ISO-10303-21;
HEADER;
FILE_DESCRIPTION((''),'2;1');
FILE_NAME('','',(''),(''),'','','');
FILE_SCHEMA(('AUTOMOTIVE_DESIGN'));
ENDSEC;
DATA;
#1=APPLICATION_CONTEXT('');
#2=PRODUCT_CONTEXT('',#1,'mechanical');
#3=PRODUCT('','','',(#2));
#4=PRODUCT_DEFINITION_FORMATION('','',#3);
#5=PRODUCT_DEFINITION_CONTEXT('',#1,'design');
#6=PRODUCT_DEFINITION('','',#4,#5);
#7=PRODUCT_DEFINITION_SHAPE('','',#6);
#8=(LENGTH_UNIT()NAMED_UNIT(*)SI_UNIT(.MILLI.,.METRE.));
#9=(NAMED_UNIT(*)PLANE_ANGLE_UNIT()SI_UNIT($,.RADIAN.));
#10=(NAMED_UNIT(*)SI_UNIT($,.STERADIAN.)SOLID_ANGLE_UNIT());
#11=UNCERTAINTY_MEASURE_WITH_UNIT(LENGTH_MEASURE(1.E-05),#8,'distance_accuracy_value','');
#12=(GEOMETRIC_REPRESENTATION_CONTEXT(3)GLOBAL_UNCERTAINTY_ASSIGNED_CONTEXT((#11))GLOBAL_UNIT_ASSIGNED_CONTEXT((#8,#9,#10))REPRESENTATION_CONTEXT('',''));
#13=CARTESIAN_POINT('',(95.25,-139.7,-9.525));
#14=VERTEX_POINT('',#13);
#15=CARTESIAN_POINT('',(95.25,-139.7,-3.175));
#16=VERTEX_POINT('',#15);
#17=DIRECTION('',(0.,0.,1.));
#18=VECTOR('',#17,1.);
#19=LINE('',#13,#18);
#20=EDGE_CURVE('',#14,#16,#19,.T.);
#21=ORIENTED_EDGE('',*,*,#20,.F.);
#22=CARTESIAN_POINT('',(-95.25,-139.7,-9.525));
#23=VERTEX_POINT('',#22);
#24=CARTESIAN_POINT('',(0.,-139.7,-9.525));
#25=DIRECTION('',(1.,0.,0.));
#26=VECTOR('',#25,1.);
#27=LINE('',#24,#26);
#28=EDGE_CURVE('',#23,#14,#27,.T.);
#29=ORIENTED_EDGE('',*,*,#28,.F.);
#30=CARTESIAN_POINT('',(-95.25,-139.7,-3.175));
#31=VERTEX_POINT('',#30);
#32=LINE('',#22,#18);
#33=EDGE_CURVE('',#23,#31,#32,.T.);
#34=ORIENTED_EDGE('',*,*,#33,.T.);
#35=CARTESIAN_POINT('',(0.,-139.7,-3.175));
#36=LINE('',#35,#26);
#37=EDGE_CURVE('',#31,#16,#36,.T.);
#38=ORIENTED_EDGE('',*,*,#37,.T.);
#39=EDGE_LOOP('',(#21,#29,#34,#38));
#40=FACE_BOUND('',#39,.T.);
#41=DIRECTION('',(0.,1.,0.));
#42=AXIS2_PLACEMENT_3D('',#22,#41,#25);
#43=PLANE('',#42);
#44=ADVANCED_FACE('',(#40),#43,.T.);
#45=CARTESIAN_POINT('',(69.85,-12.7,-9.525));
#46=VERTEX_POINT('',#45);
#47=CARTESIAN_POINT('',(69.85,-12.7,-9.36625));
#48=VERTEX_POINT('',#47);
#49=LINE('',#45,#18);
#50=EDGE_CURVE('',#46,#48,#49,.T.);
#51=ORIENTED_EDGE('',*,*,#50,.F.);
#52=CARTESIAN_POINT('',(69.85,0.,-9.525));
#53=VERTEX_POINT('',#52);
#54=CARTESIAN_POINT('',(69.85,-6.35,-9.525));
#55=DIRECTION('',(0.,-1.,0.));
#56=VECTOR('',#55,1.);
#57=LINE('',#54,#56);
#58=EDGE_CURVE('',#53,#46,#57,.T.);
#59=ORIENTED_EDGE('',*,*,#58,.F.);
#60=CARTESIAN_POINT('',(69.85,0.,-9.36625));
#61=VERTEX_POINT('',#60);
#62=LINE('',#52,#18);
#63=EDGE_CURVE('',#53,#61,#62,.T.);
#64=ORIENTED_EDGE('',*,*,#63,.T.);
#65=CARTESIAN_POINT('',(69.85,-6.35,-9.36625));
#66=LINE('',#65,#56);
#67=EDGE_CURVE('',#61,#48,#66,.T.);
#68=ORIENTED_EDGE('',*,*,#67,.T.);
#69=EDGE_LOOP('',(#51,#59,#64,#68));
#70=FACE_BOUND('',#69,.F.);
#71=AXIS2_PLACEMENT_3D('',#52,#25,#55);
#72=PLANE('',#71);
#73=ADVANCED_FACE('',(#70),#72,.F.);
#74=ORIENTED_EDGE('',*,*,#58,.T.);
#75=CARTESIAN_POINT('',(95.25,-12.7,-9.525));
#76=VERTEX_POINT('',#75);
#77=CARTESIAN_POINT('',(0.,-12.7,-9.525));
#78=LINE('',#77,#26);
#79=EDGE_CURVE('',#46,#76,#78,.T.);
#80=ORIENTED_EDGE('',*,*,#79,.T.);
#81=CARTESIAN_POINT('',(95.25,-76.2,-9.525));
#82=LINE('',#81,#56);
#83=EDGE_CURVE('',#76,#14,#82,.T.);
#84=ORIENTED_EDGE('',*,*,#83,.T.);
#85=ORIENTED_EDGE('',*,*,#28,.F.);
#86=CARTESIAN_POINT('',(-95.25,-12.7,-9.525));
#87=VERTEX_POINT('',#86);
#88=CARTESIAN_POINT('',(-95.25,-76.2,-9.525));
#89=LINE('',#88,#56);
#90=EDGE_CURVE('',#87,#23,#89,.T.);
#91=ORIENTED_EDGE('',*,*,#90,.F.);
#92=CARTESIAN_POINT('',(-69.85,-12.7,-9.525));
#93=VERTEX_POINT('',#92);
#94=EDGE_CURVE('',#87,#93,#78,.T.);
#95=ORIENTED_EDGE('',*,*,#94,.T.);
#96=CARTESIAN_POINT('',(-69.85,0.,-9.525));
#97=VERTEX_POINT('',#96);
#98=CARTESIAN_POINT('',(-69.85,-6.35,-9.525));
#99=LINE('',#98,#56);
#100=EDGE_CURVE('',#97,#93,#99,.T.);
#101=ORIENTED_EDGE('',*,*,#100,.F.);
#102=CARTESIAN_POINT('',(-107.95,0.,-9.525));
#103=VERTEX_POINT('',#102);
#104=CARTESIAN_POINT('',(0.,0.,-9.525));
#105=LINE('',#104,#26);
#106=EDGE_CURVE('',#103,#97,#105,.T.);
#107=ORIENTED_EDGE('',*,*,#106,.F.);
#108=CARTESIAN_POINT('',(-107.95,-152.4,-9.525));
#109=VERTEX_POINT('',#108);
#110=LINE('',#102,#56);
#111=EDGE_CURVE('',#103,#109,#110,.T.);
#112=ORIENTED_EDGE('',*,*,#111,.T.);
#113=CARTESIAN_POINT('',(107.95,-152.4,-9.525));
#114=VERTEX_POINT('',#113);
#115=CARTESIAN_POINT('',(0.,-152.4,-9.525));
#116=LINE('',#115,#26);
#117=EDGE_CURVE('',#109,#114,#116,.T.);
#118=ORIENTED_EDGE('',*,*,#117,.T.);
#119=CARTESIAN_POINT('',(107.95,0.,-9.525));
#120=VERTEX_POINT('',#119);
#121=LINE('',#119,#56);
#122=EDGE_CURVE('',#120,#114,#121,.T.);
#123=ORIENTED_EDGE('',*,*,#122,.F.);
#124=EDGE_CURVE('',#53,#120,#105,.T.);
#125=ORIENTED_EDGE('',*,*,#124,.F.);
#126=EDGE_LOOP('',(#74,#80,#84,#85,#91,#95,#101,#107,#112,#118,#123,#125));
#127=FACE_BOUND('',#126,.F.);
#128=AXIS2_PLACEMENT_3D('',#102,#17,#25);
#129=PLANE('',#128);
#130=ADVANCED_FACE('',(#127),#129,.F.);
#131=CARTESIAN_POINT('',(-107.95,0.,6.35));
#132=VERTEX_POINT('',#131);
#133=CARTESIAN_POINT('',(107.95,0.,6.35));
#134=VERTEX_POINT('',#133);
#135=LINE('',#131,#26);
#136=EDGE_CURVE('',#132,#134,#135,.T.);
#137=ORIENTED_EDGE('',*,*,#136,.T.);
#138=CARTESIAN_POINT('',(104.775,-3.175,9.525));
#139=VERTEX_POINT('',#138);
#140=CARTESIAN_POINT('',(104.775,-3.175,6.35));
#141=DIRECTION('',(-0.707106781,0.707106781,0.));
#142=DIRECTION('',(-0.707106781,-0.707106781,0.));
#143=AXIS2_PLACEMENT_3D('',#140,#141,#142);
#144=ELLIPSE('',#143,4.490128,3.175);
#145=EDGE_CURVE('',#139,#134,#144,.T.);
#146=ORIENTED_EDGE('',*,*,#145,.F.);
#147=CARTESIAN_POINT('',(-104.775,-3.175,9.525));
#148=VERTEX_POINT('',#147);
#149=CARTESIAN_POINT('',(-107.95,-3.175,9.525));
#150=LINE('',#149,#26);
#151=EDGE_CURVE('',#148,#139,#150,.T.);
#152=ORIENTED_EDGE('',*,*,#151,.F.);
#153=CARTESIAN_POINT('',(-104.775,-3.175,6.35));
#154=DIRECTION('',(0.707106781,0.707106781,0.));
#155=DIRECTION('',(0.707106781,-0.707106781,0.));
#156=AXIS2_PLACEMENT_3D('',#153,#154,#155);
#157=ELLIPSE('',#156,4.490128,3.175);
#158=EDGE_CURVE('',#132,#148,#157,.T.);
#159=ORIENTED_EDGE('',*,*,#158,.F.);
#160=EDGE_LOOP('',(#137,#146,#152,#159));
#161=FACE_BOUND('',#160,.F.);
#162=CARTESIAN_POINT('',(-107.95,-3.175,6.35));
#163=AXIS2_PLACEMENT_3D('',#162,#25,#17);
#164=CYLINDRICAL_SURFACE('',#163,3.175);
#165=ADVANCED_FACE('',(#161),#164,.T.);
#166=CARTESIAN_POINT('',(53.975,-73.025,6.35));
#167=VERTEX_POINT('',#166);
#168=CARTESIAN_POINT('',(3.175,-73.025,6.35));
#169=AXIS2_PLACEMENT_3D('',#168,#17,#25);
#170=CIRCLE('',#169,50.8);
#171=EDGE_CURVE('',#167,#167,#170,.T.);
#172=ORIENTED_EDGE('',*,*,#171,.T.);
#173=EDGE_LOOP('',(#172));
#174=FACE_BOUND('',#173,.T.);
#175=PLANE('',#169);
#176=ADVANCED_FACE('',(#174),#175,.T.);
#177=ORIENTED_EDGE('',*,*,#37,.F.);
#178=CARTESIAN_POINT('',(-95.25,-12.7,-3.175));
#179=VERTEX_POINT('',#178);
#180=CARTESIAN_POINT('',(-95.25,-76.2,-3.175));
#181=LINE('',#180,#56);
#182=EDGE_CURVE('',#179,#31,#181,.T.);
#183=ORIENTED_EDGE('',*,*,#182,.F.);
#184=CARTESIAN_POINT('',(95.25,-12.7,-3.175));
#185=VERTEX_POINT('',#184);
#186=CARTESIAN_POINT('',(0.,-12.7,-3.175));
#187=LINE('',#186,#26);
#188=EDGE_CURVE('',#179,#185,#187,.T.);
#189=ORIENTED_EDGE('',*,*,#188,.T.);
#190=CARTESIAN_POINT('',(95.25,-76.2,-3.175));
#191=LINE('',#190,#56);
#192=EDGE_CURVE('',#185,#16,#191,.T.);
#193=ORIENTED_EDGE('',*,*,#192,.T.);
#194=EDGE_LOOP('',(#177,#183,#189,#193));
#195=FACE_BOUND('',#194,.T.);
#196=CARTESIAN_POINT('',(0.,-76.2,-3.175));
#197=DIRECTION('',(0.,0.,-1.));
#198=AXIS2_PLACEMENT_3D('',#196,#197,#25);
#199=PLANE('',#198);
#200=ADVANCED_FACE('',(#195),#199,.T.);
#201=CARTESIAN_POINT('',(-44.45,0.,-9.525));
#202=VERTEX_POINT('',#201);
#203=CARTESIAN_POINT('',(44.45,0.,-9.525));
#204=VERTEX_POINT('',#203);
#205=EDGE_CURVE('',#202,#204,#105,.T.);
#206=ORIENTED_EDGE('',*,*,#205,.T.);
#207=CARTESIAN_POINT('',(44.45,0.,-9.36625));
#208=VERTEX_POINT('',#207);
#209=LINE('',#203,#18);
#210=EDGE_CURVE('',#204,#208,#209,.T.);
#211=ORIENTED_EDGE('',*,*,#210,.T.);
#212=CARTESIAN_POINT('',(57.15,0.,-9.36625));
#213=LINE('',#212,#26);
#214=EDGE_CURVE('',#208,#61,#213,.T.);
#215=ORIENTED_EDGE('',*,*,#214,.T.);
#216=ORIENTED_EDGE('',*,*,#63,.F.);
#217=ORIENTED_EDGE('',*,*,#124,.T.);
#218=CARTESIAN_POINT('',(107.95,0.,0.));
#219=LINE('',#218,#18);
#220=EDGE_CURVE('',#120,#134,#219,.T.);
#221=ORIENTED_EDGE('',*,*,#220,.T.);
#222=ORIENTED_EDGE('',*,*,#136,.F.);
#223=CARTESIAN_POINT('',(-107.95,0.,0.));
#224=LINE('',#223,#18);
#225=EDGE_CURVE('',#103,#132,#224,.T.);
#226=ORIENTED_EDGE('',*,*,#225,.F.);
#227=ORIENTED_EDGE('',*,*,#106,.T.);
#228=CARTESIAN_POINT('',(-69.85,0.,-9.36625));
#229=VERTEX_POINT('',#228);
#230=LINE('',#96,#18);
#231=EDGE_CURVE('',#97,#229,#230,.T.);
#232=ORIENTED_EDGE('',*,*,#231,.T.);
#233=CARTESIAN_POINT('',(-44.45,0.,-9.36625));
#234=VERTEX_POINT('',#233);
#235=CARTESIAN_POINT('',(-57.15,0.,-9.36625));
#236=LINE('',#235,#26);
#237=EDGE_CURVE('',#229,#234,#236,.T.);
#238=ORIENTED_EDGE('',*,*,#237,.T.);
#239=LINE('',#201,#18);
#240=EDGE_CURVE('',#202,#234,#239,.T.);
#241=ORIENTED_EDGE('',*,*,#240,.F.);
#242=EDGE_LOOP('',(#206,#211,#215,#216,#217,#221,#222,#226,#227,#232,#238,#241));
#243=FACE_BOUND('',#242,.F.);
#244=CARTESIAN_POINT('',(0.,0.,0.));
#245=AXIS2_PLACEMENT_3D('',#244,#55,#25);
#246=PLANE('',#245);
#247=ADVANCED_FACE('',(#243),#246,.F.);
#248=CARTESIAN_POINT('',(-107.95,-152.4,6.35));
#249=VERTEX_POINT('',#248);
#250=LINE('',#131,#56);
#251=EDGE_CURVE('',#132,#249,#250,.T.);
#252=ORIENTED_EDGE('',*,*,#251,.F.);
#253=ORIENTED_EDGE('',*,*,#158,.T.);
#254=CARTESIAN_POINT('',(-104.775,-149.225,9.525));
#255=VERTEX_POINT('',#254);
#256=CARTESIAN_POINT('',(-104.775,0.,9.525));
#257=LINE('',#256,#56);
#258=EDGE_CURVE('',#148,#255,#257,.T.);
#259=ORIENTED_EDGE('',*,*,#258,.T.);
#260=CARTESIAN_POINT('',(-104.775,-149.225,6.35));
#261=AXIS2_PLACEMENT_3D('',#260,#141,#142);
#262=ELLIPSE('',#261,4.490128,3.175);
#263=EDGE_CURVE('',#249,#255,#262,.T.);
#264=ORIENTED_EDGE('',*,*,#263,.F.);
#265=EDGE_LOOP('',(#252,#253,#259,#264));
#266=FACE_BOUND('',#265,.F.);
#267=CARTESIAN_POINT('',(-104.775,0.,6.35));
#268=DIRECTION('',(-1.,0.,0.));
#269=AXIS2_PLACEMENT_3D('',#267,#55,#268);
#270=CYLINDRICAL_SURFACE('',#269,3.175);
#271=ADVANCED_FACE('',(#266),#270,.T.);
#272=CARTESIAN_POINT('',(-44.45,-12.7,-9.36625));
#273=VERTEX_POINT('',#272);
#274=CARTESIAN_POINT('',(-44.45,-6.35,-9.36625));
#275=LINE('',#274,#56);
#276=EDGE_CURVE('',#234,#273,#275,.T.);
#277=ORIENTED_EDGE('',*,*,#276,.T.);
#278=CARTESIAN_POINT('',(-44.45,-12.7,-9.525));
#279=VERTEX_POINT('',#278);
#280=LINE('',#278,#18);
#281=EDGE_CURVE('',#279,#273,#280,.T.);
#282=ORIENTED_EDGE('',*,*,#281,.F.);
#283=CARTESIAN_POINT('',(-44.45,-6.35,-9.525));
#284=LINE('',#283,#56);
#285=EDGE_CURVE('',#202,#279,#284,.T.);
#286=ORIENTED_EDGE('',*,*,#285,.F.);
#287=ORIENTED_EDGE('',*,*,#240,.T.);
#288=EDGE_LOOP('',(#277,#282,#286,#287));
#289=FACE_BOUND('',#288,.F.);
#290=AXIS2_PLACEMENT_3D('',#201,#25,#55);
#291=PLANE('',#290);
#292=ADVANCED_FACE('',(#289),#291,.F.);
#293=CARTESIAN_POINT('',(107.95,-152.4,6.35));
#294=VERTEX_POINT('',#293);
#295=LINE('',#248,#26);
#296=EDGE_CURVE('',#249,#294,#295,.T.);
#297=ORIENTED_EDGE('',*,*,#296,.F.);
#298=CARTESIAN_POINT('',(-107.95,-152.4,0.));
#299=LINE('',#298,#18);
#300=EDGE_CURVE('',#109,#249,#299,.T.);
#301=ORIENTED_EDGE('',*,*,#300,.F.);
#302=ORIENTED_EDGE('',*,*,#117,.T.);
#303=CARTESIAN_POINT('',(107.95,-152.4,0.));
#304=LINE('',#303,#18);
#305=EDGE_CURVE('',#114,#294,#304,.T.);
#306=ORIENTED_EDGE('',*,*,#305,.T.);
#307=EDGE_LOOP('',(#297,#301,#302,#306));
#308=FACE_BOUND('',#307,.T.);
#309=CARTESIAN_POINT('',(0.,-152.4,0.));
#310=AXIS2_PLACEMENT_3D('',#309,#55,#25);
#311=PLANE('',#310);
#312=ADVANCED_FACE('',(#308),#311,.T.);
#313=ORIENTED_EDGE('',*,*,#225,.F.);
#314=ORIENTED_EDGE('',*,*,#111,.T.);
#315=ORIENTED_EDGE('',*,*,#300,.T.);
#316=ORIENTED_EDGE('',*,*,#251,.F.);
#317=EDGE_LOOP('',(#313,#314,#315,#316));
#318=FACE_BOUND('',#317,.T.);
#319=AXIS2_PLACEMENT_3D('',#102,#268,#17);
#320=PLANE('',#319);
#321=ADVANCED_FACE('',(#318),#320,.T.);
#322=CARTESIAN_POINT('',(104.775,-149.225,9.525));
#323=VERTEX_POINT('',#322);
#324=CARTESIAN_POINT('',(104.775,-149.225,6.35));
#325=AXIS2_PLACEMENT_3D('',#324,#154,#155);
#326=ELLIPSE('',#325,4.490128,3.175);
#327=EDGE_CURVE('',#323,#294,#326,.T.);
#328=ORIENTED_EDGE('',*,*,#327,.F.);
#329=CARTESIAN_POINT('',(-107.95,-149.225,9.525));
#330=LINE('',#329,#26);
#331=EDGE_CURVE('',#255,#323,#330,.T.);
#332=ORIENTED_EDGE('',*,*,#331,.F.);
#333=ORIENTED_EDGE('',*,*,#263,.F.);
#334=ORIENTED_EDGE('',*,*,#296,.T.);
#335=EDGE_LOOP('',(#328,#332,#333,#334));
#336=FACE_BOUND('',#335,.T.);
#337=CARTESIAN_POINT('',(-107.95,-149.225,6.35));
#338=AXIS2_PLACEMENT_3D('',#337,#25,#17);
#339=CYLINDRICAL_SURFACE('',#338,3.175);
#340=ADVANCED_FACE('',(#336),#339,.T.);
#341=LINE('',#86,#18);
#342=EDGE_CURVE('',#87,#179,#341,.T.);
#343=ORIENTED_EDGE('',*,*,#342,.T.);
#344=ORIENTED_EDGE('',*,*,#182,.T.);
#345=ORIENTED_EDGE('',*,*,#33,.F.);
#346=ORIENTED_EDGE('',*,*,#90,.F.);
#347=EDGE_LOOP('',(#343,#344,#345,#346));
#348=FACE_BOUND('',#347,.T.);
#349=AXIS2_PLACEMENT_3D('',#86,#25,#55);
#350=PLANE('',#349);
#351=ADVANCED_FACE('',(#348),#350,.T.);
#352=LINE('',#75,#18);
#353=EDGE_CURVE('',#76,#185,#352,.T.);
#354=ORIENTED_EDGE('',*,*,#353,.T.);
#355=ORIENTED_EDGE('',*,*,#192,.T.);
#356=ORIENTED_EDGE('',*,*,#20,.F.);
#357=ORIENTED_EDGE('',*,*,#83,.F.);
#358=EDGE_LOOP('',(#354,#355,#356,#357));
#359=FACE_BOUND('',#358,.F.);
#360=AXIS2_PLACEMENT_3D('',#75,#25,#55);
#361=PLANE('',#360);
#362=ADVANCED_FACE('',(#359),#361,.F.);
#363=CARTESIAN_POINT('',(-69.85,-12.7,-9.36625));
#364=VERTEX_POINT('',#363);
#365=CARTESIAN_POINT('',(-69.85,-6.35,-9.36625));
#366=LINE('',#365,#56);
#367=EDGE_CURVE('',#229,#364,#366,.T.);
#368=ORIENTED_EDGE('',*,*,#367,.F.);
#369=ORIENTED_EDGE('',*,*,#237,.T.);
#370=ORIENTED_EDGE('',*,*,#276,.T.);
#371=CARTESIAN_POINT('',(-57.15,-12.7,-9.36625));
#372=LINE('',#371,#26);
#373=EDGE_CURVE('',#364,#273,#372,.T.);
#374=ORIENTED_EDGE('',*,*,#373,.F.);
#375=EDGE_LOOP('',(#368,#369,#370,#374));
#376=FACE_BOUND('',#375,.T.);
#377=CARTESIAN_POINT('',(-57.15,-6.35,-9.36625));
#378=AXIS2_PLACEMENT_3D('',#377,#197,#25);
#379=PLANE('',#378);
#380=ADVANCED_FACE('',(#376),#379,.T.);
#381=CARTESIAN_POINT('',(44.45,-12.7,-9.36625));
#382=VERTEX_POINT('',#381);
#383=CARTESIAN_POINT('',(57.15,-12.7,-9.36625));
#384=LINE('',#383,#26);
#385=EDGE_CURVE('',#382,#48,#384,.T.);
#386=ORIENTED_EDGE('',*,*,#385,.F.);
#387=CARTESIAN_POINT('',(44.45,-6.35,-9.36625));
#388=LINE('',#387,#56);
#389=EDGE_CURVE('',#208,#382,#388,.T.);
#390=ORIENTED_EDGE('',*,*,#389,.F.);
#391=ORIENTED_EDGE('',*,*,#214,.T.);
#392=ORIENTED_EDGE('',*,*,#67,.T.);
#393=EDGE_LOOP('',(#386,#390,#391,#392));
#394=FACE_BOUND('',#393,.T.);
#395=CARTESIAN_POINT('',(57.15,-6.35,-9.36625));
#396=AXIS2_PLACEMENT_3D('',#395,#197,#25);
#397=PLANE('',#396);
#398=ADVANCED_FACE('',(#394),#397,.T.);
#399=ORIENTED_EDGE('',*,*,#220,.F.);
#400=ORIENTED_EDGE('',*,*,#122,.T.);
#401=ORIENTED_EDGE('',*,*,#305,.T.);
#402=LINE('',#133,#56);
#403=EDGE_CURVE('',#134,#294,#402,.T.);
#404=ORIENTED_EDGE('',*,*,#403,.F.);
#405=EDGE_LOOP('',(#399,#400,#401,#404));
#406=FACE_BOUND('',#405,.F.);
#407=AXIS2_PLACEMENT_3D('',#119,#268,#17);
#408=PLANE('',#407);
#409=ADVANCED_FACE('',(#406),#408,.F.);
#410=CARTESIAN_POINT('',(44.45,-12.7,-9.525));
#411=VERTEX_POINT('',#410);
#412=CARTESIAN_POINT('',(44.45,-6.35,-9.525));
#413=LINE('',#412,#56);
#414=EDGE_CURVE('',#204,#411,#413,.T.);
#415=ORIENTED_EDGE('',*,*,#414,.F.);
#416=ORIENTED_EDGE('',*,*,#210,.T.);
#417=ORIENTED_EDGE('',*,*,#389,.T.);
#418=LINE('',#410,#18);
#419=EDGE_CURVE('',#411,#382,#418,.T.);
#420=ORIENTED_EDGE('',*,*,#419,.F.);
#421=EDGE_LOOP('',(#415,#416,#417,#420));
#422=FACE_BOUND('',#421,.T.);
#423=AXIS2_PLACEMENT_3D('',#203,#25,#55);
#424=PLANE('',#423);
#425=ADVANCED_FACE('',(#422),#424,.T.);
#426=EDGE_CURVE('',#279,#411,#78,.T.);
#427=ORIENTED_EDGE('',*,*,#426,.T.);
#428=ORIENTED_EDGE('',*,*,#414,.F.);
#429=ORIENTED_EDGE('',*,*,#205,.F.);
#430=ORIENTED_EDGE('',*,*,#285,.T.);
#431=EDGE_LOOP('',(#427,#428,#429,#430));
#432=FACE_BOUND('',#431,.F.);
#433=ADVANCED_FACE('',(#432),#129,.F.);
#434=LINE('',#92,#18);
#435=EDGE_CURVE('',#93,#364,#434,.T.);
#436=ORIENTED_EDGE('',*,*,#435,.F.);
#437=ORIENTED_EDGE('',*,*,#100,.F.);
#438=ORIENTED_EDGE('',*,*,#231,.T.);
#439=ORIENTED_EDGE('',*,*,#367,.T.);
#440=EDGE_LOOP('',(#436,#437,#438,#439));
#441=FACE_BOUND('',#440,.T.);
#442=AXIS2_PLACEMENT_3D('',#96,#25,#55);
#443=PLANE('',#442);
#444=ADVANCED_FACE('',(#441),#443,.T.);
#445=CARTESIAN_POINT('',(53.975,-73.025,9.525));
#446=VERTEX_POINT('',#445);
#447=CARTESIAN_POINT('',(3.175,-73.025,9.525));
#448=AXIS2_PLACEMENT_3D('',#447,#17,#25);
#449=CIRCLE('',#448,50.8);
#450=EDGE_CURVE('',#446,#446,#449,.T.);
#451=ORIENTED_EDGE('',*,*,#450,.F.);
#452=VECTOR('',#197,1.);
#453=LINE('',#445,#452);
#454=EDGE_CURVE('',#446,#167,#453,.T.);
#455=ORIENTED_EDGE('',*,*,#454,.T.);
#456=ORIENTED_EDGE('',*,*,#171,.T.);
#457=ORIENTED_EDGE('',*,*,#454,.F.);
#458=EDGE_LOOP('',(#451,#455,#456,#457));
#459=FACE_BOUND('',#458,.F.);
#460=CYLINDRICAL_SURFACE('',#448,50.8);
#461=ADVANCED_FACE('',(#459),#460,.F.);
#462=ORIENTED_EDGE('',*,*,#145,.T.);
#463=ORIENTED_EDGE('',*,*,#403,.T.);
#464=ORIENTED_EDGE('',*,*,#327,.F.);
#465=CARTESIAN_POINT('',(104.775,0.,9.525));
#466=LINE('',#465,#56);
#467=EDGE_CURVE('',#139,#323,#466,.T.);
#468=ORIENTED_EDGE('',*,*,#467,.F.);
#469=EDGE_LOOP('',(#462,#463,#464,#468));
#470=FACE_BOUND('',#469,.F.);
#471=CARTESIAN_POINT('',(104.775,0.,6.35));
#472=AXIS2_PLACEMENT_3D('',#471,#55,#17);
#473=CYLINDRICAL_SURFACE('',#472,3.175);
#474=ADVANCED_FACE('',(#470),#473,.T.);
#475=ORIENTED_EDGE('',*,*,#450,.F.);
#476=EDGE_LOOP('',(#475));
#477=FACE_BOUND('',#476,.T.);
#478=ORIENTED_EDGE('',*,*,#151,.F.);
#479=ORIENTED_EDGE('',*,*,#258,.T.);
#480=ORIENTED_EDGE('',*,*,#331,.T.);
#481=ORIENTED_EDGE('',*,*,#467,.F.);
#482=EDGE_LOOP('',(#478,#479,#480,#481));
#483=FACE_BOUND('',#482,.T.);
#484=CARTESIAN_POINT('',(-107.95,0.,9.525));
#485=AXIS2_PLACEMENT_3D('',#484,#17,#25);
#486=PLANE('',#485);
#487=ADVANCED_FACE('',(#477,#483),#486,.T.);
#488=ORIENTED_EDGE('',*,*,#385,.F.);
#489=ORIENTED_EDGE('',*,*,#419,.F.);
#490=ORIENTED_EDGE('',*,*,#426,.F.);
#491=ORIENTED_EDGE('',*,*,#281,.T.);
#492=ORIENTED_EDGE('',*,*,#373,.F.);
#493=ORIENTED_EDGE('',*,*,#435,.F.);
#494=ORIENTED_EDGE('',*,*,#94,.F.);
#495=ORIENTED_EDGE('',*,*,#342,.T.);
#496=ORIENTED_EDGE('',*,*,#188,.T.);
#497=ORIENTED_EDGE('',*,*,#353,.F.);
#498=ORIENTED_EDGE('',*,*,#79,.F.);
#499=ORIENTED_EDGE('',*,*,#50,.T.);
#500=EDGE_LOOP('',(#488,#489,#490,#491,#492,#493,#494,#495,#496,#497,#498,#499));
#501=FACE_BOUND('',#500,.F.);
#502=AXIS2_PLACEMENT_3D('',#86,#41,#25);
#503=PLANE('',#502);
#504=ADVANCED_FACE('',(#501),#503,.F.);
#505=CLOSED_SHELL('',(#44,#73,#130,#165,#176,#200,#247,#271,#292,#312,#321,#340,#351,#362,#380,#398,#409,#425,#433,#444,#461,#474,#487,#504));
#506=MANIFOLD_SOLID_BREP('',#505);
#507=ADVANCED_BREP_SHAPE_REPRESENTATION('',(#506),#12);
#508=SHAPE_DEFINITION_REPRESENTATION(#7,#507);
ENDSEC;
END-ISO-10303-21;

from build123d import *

# Parameters (mm, degrees)
F0_W     = 215.9
F0_H     = 19.05
F1_DEPTH = 152.4
F2_W     = 190.5
F2_H     = 127
F3_DEPTH = 6.35
F4_W     = 25.4
F4_H     = 12.7
F5_DEPTH = 0.15875
F6_R     = 3.175
F7_R     = 50.8
F8_DEPTH = 3.175


with BuildPart() as f1:
    # F0 (on Front) → F1 (new body)
    with BuildSketch(Plane.XZ):
        Rectangle(F0_W, F0_H)
    extrude(amount=F1_DEPTH)

    # F2 (on face) → F3 (cut)
    with BuildSketch(Plane(origin=(0, 0, -9.525), x_dir=(1, 0, 0), z_dir=(0, 0, -1))):
        with Locations((0, 76.2)):
            Rectangle(F2_W, F2_H)
    extrude(amount=-F3_DEPTH, mode=Mode.SUBTRACT)

    # F4 (on face) → F5 (cut)
    with BuildSketch(Plane(origin=(0, 0, -9.525), x_dir=(1, 0, 0), z_dir=(0, 0, -1))):
        with Locations((-57.15, 6.35)):
            Rectangle(F4_W, F4_H)
        with Locations((57.15, 6.35)):
            Rectangle(F4_W, F4_H)
    extrude(amount=-F5_DEPTH, mode=Mode.SUBTRACT)

    # F6
    f6_edges = [f1.edges().sort_by_distance(p)[0] for p in [
        (107.95, -76.2, 9.525),
        (-107.95, -76.2, 9.525),
        (0, 0, 9.525),
        (0, -152.4, 9.525),
    ]]
    fillet(f6_edges, radius=F6_R)

    # F7 (on face) → F8 (cut)
    with BuildSketch(Plane.XY.offset(9.525)):
        with Locations((3.175, -73.025)):
            Circle(F7_R)
    extrude(amount=-F8_DEPTH, mode=Mode.SUBTRACT)


solid = f1.part
